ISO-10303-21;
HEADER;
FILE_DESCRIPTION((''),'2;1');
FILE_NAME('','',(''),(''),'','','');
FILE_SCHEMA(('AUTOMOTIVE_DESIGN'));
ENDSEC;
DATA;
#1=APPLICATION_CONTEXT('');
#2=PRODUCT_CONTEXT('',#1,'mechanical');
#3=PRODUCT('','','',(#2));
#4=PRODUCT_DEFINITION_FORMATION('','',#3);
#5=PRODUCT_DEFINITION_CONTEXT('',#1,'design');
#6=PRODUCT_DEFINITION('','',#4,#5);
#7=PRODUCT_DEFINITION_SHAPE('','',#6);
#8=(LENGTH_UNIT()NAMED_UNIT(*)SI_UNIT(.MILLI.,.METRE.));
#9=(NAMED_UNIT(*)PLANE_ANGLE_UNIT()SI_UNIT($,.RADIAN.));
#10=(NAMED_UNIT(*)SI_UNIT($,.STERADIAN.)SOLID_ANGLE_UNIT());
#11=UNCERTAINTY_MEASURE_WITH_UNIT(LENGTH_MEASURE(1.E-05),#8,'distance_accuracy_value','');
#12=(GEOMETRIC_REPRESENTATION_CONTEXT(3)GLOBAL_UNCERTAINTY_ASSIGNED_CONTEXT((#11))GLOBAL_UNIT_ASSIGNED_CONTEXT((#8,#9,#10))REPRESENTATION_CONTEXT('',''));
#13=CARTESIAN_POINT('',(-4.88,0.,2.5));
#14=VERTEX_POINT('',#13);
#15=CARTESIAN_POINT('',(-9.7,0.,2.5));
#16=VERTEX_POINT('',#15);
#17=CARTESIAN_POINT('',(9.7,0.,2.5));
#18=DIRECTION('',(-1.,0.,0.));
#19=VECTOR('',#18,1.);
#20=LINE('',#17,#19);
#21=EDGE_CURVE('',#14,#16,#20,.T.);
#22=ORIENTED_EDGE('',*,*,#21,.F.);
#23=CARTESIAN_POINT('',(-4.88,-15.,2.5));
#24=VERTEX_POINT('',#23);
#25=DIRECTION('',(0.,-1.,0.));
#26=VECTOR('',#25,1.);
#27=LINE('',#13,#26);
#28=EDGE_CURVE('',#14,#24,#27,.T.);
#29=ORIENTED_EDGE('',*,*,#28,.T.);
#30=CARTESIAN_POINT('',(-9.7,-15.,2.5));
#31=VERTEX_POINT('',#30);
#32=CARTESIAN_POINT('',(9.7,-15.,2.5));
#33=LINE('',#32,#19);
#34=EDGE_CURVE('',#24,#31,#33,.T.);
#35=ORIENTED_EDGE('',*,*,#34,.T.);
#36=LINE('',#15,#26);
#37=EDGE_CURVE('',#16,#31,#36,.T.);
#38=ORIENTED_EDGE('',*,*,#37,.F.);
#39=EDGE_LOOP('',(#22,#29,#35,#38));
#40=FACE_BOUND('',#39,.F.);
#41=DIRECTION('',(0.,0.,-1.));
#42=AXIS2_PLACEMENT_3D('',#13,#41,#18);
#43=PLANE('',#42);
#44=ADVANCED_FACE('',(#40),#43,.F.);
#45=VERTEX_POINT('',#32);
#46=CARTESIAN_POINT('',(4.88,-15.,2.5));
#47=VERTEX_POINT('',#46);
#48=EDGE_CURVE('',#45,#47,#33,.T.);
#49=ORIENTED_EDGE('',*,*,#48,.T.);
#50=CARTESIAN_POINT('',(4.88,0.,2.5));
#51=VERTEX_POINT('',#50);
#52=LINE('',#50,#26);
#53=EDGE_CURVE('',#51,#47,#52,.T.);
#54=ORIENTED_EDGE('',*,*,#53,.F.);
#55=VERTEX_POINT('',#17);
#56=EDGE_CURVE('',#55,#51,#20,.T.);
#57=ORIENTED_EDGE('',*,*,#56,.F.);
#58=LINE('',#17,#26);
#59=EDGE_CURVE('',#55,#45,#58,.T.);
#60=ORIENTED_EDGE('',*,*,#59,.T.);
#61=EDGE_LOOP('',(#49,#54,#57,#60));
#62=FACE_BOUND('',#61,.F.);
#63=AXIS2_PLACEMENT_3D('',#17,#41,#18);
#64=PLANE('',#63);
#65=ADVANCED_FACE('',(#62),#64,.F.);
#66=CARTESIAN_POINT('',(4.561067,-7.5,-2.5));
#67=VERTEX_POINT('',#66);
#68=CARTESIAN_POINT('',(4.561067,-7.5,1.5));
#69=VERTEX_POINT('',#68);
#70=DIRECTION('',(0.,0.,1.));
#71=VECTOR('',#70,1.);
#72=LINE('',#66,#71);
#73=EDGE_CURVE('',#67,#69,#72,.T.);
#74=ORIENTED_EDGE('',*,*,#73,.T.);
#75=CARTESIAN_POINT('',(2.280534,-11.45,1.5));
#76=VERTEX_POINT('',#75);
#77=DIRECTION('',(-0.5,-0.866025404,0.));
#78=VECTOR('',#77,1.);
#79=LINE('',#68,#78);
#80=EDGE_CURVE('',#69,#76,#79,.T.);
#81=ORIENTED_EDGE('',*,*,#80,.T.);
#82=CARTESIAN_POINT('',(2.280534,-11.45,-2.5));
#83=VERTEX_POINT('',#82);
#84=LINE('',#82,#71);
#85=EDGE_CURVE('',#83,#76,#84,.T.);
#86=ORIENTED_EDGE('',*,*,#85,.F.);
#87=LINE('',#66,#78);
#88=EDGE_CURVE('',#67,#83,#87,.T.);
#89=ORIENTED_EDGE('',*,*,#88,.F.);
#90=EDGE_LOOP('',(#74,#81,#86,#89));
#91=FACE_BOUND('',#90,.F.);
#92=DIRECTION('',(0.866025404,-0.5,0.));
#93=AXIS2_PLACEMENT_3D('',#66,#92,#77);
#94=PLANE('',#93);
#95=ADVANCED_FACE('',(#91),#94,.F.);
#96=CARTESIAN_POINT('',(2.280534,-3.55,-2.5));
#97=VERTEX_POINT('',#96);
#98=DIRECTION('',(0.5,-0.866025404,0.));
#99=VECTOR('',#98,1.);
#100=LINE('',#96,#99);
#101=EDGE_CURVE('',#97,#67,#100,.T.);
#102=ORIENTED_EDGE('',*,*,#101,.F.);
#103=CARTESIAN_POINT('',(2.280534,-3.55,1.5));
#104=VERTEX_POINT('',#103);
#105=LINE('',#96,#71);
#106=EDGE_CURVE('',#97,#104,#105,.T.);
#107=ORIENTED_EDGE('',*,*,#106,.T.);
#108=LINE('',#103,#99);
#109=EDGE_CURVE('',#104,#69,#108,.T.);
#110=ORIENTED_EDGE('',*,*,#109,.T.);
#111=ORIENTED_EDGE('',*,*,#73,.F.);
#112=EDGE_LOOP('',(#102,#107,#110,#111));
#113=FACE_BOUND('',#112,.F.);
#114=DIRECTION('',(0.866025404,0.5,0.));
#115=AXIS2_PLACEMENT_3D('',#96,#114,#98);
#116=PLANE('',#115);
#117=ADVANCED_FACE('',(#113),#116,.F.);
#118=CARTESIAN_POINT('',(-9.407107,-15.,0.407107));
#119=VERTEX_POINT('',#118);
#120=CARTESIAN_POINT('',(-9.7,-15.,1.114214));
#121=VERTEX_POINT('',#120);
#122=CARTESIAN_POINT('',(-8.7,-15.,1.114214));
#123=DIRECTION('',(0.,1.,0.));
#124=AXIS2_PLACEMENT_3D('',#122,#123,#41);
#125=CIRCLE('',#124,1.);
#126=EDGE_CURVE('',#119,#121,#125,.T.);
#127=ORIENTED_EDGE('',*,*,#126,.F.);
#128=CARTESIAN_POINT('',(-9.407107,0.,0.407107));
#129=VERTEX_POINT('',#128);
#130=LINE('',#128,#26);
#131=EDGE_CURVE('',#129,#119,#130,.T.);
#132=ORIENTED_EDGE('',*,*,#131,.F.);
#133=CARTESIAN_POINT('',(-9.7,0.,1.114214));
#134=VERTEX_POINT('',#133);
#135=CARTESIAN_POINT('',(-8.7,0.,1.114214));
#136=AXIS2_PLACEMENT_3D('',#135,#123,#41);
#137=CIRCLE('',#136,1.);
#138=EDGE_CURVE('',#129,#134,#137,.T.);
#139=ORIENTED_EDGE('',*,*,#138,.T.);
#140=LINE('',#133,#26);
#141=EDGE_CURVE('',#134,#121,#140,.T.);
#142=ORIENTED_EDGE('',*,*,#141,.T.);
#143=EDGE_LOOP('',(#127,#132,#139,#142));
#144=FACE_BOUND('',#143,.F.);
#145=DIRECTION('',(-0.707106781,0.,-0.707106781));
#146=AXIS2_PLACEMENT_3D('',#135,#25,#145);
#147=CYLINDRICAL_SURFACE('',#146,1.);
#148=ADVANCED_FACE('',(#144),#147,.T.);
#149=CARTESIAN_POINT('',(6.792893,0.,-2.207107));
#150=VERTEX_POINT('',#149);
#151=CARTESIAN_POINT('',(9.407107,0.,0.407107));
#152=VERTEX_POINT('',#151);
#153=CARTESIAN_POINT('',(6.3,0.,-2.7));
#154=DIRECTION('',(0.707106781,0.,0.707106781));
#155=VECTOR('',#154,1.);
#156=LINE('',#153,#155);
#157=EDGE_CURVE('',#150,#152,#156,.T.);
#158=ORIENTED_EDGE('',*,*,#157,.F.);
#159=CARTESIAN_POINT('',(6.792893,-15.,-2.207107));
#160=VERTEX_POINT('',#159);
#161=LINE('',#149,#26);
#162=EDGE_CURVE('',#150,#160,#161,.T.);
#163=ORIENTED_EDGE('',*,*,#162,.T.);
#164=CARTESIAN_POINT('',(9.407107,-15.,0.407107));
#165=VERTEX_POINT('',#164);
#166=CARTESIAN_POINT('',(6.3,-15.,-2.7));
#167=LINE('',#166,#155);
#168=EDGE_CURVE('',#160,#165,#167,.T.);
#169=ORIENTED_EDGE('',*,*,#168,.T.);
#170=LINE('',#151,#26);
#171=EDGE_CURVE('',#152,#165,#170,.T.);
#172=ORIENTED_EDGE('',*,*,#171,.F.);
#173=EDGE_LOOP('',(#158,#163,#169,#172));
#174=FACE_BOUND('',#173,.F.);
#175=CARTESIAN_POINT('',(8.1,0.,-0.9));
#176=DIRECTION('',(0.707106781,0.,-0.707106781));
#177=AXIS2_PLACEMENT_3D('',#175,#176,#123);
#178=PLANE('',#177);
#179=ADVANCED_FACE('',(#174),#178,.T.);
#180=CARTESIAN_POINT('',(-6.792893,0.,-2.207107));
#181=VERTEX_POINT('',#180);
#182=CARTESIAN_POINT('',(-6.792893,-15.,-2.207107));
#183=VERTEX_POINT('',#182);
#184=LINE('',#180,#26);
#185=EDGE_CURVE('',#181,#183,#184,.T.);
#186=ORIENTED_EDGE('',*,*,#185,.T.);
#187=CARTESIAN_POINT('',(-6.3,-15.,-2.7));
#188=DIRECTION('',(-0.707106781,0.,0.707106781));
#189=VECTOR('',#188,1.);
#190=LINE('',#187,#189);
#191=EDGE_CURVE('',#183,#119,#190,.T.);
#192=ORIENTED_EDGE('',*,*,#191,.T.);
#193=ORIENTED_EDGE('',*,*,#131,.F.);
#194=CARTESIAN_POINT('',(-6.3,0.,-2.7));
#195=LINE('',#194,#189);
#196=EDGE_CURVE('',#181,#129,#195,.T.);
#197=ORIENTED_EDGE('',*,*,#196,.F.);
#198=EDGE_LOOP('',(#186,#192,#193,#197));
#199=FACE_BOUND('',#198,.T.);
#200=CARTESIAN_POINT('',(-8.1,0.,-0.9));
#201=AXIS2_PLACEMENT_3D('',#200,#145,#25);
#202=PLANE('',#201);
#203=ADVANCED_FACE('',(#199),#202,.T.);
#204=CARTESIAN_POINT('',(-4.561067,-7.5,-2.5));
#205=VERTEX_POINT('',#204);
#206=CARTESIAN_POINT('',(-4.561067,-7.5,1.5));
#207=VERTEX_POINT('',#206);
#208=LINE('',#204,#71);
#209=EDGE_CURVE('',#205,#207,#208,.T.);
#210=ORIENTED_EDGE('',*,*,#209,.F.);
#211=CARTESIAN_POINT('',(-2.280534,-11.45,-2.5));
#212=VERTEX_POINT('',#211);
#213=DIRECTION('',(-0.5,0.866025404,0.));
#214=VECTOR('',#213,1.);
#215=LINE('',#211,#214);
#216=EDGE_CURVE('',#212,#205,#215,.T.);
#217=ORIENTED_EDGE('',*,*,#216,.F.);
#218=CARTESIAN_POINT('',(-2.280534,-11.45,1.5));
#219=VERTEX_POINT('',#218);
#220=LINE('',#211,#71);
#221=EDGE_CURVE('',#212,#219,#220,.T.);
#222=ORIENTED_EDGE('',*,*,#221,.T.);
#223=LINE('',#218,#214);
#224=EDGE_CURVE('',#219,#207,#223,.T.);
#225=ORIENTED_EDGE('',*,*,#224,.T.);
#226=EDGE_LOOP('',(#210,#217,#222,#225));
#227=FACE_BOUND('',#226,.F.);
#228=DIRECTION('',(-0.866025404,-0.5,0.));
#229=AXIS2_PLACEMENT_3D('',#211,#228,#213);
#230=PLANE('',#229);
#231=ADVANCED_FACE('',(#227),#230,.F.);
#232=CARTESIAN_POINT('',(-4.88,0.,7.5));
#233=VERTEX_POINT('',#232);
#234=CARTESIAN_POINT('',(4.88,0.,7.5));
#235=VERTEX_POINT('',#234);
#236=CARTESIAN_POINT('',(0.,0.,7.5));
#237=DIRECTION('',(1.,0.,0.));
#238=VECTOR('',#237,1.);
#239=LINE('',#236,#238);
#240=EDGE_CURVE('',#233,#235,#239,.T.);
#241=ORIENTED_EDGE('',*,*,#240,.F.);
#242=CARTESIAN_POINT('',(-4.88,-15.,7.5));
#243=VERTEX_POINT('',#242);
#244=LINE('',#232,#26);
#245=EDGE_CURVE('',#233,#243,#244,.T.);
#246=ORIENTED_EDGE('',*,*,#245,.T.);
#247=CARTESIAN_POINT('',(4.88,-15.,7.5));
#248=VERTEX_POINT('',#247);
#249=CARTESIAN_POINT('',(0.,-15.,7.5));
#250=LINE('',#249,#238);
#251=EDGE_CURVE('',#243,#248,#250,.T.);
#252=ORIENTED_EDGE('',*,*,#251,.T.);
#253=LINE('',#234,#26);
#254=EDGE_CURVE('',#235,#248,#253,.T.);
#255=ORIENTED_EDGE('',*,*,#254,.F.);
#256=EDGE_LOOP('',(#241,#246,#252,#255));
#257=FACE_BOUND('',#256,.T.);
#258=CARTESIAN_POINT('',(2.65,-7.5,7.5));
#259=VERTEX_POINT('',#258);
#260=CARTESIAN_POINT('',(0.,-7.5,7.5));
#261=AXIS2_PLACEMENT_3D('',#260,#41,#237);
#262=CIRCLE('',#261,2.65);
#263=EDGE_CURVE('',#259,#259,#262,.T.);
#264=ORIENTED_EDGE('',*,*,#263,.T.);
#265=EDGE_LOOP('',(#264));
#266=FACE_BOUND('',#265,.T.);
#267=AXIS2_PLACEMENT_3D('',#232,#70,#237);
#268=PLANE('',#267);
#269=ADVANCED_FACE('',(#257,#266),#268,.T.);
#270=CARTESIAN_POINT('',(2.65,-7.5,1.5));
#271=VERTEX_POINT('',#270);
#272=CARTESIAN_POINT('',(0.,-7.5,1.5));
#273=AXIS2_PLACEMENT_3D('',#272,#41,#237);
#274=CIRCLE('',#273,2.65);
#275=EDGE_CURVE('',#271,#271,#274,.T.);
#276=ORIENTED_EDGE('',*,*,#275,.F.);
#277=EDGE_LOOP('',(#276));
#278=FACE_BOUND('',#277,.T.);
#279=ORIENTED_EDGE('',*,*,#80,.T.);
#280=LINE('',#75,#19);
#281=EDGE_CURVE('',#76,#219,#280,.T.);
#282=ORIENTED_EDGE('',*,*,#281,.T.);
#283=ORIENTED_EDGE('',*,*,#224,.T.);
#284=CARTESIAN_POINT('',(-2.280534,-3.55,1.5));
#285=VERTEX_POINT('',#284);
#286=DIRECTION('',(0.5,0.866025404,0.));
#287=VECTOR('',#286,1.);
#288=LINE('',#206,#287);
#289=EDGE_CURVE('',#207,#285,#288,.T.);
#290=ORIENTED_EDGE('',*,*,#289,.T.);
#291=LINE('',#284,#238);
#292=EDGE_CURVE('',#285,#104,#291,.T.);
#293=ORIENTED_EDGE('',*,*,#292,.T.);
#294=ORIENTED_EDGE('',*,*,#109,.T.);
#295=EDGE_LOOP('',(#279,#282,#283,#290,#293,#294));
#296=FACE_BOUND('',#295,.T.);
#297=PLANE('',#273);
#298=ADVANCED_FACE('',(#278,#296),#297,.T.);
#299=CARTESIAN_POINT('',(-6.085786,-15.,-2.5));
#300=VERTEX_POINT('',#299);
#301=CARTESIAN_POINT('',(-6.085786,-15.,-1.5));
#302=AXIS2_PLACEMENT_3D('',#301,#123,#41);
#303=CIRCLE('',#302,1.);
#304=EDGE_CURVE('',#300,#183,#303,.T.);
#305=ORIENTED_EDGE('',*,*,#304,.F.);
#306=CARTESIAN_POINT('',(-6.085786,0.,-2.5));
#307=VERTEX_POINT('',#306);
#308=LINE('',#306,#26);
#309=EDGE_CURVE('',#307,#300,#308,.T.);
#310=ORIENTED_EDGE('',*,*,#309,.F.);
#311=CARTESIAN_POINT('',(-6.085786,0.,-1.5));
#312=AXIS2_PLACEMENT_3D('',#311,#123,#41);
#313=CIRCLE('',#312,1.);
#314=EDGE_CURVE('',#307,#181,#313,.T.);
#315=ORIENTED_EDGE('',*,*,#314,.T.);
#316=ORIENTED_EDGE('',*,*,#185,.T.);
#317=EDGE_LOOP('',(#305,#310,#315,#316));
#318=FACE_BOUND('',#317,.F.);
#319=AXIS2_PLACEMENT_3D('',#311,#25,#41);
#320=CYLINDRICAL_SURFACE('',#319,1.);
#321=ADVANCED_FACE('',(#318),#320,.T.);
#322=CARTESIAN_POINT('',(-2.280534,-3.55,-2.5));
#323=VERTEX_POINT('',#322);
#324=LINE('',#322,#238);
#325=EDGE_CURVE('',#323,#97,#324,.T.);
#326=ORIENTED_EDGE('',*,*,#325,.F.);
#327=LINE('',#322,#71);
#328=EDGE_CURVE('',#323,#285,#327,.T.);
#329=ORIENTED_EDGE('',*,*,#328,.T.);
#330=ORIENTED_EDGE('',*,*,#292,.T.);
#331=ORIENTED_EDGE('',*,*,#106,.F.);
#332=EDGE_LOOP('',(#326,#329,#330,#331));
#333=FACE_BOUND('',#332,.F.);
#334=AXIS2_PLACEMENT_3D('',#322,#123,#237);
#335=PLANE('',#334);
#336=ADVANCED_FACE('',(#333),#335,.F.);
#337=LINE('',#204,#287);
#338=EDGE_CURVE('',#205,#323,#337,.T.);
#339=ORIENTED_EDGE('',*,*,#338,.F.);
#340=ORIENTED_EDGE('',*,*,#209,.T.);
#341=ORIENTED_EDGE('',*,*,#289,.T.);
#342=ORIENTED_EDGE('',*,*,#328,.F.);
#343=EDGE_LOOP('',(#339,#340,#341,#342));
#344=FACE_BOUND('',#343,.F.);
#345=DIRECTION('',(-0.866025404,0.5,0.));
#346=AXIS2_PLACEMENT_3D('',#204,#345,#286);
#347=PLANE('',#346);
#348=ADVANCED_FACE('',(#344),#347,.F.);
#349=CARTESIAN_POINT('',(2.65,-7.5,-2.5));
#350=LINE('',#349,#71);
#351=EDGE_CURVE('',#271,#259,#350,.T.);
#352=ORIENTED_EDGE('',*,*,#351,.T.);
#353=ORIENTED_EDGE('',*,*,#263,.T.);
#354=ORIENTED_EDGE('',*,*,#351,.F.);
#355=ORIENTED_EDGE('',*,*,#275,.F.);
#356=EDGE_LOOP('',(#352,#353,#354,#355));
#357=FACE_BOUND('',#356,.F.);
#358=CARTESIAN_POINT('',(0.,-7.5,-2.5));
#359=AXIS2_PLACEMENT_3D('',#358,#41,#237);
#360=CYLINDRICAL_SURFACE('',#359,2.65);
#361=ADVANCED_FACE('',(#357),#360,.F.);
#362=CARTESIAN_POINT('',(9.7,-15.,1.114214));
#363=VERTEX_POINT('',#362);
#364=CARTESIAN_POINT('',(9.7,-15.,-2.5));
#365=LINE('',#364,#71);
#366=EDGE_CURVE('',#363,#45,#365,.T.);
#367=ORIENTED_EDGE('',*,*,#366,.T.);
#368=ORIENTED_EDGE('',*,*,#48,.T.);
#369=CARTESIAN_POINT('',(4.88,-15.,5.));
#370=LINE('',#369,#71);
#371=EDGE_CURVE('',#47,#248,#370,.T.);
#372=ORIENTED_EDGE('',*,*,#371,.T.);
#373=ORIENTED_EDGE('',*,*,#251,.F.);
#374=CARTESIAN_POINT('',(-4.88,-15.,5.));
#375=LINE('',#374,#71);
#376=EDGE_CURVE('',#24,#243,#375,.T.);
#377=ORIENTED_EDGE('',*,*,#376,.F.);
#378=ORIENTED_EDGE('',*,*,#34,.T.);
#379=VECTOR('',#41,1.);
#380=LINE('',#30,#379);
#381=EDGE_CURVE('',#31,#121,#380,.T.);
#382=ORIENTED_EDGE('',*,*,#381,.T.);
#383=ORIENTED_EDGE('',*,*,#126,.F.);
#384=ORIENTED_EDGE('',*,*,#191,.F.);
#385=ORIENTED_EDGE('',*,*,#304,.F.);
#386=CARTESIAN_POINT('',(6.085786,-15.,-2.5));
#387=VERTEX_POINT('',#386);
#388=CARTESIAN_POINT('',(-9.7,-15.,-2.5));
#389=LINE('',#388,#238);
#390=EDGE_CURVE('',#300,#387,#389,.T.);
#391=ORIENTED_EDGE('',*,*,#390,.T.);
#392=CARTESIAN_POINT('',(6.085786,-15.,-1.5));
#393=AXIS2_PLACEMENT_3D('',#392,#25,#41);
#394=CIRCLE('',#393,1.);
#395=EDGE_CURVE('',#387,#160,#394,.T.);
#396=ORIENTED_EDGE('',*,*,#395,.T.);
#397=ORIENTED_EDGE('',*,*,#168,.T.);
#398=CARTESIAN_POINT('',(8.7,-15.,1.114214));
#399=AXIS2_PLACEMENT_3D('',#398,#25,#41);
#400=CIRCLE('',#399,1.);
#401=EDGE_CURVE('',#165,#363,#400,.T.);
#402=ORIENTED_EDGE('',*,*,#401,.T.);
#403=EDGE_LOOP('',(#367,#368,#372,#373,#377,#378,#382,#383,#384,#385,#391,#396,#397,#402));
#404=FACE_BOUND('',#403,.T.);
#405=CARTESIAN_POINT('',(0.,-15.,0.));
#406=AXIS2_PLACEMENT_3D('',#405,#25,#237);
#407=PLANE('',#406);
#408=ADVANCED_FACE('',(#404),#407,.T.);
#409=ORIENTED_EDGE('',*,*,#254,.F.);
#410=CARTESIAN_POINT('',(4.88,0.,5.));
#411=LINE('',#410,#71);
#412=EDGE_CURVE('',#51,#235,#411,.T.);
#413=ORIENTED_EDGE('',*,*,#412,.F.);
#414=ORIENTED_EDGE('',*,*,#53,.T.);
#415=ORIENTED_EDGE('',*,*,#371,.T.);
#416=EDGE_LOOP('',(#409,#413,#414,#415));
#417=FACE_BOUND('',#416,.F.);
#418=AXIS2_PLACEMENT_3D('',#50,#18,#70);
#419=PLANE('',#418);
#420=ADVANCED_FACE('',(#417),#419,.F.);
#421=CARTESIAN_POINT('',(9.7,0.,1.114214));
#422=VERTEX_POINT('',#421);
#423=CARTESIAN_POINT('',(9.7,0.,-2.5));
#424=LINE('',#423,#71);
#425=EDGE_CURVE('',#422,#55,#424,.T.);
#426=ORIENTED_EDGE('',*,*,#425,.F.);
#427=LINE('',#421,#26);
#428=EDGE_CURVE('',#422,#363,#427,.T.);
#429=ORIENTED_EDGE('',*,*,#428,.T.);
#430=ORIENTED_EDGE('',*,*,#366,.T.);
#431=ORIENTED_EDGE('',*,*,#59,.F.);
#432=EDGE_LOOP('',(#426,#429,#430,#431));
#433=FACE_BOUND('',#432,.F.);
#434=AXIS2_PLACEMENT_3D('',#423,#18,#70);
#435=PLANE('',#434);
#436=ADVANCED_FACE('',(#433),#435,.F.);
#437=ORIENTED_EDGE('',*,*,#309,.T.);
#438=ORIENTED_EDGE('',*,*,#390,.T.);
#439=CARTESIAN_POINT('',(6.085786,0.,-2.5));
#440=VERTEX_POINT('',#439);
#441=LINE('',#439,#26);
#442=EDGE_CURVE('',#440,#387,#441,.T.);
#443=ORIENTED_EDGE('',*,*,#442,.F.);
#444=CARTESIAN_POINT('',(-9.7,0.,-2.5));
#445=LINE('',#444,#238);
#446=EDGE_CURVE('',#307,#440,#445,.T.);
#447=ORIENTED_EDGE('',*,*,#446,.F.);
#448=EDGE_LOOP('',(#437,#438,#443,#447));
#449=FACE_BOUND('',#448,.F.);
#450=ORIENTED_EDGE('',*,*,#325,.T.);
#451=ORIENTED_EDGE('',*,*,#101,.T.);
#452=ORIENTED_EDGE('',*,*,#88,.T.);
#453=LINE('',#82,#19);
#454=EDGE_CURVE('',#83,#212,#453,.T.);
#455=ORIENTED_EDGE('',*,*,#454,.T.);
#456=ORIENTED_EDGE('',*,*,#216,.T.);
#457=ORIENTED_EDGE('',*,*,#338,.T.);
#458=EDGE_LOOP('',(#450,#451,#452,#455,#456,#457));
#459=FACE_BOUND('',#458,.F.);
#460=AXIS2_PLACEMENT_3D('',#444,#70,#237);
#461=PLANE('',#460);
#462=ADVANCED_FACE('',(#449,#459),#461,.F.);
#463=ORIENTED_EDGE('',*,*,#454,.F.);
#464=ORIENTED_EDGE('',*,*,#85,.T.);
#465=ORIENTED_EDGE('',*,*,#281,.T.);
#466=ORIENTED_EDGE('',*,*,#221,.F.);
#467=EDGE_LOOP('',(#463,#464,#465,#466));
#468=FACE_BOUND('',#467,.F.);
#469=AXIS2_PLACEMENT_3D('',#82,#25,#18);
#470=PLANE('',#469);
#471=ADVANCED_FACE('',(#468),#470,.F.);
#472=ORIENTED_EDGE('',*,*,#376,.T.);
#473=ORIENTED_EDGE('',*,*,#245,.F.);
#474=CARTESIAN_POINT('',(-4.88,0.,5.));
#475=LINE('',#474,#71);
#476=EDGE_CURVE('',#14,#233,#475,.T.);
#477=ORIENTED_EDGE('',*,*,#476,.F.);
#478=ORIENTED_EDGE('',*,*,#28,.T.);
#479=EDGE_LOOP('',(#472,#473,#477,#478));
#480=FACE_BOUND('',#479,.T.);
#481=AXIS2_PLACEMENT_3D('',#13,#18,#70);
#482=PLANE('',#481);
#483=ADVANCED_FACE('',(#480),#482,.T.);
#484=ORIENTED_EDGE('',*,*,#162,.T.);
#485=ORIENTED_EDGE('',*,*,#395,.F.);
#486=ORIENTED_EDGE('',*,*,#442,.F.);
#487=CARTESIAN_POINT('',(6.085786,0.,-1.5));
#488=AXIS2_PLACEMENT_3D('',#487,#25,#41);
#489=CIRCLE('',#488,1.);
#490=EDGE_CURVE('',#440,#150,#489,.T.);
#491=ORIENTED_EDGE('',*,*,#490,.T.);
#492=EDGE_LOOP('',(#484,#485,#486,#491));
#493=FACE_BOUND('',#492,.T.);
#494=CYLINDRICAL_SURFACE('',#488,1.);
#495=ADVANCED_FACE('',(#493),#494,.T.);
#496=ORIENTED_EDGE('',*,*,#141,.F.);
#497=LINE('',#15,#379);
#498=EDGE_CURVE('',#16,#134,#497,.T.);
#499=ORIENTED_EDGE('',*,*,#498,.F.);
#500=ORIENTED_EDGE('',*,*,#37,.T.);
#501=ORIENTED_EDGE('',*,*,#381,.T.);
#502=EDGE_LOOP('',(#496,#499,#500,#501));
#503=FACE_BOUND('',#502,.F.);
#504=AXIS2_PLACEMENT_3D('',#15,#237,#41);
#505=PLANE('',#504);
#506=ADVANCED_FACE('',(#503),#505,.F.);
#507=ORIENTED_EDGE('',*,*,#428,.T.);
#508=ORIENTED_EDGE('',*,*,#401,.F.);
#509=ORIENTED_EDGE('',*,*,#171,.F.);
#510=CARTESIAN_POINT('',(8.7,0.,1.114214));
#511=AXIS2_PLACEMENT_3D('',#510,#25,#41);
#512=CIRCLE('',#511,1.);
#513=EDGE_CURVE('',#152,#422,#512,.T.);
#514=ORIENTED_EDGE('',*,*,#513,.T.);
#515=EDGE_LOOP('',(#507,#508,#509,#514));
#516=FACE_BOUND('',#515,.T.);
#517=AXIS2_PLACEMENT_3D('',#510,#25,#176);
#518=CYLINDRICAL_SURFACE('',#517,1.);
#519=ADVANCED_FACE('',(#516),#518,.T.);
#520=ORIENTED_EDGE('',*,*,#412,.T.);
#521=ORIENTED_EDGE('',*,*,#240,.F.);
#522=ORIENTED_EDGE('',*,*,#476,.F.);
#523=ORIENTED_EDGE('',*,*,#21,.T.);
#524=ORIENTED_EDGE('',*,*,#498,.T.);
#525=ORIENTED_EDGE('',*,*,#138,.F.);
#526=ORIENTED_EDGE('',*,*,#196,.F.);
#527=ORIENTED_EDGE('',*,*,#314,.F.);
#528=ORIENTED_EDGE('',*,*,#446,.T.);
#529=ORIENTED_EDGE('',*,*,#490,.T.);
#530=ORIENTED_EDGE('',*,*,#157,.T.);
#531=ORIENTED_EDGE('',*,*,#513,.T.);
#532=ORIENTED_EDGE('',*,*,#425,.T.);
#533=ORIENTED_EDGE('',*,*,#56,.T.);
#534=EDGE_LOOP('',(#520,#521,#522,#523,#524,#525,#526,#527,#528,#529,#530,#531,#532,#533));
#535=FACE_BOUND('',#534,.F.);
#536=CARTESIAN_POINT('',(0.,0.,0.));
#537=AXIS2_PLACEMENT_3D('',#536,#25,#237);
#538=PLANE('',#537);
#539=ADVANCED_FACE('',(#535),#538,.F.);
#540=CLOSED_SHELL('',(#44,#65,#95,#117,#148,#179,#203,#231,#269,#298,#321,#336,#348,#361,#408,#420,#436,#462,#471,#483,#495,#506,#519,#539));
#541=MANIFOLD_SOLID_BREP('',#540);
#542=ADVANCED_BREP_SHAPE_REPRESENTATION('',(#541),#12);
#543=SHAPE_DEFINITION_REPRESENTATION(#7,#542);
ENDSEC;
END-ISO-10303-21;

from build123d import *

# Parameters (mm, degrees)
F0_W     = 9.76
F0_H     = 5
F1_DEPTH = 15
F2_SIZE  = 3.2
F3_R     = 2.65
F4_DEPTH = 10.001
F5_DEPTH = 4
F6_R     = 1


with BuildPart() as f1:
    # F0 (on Front) → F1 (new body)
    with BuildSketch(Plane.XZ):
        Polygon((-9.7, -2.5), (9.7, -2.5), (9.7, 2.5), (4.88, 2.5), (-4.88, 2.5), (-9.7, 2.5), align=None)
        with Locations((0, 5)):
            Rectangle(F0_W, F0_H)
    extrude(amount=F1_DEPTH)

    # F2
    f2_edges = [f1.edges().sort_by_distance(p)[0] for p in [
        (9.7, -7.5, -2.5),
        (-9.7, -7.5, -2.5),
    ]]
    chamfer(f2_edges, length=F2_SIZE)

    # F3 (on face) → F4 (cut, through all)
    with BuildSketch(Plane(origin=(0, 0, -2.5), x_dir=(1, 0, 0), z_dir=(0, 0, -1))):
        with Locations((0, 7.5)):
            Circle(F3_R)
    extrude(amount=-F4_DEPTH, mode=Mode.SUBTRACT)

    # F3 (on face) → F5 (cut)
    with BuildSketch(Plane(origin=(0, 0, -2.5), x_dir=(1, 0, 0), z_dir=(0, 0, -1))):
        Polygon((-2.2805335633, 3.55), (2.2805335633, 3.55), (4.5610671266, 7.5), (2.2805335633, 11.45), (-2.2805335633, 11.45), (-4.5610671266, 7.5), align=None)
        with Locations((0, 7.5)):
            Circle(F3_R, mode=Mode.SUBTRACT)
    extrude(amount=-F5_DEPTH, mode=Mode.SUBTRACT)

    # F6
    f6_edges = [f1.edges().sort_by_distance(p)[0] for p in [
        (-6.5, -7.5, -2.5),
        (6.5, -7.5, -2.5),
        (9.7, -7.5, 0.7),
        (-9.7, -7.5, 0.7),
    ]]
    fillet(f6_edges, radius=F6_R)


solid = f1.part
